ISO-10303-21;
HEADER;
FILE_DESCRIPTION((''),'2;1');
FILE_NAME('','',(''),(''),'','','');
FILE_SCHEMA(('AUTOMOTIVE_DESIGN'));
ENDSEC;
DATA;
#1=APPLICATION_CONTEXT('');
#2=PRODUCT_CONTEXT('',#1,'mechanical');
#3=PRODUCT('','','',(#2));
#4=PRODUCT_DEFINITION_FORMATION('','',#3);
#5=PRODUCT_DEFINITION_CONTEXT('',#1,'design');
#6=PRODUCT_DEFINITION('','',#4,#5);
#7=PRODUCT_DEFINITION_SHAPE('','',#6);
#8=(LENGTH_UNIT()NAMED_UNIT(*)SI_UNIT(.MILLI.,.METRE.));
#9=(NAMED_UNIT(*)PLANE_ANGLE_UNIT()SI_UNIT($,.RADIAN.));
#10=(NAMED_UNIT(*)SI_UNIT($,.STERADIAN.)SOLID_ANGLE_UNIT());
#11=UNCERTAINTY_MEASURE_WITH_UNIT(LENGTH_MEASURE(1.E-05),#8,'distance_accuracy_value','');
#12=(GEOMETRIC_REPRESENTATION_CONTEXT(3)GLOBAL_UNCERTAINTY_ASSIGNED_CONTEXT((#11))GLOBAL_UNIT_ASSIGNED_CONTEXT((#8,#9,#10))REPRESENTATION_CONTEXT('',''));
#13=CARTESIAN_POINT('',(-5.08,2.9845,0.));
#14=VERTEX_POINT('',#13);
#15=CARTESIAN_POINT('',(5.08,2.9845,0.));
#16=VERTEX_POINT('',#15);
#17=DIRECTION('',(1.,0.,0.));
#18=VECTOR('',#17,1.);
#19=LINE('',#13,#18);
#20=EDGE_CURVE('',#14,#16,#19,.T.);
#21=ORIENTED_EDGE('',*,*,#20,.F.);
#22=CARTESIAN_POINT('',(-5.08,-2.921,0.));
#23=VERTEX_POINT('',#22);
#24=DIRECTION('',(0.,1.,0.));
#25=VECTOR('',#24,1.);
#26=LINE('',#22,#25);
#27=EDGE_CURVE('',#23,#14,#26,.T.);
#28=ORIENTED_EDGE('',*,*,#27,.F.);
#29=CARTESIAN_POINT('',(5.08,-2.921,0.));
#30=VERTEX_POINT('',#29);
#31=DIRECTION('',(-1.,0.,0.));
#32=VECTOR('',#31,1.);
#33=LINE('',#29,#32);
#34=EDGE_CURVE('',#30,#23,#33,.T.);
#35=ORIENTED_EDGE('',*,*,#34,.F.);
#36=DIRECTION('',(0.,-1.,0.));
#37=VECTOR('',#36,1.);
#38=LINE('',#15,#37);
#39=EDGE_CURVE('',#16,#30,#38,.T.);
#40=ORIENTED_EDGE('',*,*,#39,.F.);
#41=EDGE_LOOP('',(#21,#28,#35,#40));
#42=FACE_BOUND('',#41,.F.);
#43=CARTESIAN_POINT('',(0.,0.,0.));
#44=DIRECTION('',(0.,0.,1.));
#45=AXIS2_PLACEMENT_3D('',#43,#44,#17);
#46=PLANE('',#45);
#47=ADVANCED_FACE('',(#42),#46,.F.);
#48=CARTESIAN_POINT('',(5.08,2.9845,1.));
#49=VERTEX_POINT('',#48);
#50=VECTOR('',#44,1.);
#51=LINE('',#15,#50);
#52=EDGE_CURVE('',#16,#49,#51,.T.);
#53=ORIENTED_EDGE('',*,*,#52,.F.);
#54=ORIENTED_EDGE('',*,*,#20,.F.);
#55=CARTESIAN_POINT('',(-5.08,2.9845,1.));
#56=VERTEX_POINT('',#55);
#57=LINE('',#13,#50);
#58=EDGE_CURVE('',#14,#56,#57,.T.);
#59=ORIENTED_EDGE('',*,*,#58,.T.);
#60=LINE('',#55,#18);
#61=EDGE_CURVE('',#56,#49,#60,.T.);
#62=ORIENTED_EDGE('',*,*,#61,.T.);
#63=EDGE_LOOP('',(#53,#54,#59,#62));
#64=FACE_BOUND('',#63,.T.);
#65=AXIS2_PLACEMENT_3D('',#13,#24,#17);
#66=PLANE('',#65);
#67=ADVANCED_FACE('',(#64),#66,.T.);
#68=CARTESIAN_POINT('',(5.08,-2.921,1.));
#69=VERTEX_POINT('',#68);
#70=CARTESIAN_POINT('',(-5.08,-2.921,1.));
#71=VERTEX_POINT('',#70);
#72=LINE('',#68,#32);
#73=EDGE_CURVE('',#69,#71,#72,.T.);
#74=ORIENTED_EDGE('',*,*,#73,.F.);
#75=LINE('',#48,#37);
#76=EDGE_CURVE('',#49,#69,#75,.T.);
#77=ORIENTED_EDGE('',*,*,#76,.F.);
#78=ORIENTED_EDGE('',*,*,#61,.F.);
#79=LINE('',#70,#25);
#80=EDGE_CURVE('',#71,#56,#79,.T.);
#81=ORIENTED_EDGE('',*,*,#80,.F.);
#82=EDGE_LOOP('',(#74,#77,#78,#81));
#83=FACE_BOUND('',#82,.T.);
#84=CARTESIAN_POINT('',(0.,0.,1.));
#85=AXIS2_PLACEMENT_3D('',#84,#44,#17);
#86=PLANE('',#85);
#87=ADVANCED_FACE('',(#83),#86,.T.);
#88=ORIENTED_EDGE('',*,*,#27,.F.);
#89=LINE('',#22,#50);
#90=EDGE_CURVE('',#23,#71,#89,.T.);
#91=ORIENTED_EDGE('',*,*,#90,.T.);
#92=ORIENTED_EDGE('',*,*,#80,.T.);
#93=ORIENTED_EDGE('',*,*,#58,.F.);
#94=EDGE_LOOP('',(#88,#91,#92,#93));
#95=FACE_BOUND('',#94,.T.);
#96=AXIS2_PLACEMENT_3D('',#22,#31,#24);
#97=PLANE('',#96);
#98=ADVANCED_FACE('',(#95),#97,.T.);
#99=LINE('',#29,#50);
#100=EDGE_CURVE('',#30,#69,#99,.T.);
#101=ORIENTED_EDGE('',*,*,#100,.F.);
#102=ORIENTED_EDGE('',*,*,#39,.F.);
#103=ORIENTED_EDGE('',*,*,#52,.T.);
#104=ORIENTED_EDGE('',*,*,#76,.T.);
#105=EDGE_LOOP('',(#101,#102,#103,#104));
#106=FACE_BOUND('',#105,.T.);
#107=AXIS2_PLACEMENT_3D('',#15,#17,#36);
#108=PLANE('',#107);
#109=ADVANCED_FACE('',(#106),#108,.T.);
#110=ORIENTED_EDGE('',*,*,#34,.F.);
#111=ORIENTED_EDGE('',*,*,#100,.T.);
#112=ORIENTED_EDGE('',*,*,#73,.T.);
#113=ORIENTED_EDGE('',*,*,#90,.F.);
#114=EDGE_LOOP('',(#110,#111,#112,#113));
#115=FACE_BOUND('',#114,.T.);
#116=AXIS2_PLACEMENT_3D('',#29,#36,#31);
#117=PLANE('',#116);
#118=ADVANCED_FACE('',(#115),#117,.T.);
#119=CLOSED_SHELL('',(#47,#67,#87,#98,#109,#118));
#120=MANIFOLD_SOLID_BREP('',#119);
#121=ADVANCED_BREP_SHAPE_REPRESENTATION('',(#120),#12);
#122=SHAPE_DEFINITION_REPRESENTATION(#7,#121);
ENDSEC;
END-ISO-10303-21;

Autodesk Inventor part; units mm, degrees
ref_plane "YZ Plane" through (0, 0, 0) normal (1, 0, 0) x (0, 1, 0)
ref_plane "XZ Plane" through (0, 0, 0) normal (0, 1, 0) x (-1, 0, 0)
ref_plane "XY Plane" through (0, 0, 0) normal (0, 0, 1) x (1, 0, 0)
sketch "6410-04, I2C_DATA_B3_B2_50" plane through (0, 0, 0) normal (0, 0, 1) x (1, 0, 0)
  line L0 (-5.08, 2.9845) -> (5.08, 2.9845)
  line L1 (5.08, 2.9845) -> (5.08, -2.921)
  line L2 (5.08, -2.921) -> (-5.08, -2.921)
  line L3 (-5.08, -2.921) -> (-5.08, 2.9845)
extrude "Extrusion1" add sketch "6410-04, I2C_DATA_B3_B2_50" along normal blind 1
properties part number "I2C_DATA_B3_B2"
